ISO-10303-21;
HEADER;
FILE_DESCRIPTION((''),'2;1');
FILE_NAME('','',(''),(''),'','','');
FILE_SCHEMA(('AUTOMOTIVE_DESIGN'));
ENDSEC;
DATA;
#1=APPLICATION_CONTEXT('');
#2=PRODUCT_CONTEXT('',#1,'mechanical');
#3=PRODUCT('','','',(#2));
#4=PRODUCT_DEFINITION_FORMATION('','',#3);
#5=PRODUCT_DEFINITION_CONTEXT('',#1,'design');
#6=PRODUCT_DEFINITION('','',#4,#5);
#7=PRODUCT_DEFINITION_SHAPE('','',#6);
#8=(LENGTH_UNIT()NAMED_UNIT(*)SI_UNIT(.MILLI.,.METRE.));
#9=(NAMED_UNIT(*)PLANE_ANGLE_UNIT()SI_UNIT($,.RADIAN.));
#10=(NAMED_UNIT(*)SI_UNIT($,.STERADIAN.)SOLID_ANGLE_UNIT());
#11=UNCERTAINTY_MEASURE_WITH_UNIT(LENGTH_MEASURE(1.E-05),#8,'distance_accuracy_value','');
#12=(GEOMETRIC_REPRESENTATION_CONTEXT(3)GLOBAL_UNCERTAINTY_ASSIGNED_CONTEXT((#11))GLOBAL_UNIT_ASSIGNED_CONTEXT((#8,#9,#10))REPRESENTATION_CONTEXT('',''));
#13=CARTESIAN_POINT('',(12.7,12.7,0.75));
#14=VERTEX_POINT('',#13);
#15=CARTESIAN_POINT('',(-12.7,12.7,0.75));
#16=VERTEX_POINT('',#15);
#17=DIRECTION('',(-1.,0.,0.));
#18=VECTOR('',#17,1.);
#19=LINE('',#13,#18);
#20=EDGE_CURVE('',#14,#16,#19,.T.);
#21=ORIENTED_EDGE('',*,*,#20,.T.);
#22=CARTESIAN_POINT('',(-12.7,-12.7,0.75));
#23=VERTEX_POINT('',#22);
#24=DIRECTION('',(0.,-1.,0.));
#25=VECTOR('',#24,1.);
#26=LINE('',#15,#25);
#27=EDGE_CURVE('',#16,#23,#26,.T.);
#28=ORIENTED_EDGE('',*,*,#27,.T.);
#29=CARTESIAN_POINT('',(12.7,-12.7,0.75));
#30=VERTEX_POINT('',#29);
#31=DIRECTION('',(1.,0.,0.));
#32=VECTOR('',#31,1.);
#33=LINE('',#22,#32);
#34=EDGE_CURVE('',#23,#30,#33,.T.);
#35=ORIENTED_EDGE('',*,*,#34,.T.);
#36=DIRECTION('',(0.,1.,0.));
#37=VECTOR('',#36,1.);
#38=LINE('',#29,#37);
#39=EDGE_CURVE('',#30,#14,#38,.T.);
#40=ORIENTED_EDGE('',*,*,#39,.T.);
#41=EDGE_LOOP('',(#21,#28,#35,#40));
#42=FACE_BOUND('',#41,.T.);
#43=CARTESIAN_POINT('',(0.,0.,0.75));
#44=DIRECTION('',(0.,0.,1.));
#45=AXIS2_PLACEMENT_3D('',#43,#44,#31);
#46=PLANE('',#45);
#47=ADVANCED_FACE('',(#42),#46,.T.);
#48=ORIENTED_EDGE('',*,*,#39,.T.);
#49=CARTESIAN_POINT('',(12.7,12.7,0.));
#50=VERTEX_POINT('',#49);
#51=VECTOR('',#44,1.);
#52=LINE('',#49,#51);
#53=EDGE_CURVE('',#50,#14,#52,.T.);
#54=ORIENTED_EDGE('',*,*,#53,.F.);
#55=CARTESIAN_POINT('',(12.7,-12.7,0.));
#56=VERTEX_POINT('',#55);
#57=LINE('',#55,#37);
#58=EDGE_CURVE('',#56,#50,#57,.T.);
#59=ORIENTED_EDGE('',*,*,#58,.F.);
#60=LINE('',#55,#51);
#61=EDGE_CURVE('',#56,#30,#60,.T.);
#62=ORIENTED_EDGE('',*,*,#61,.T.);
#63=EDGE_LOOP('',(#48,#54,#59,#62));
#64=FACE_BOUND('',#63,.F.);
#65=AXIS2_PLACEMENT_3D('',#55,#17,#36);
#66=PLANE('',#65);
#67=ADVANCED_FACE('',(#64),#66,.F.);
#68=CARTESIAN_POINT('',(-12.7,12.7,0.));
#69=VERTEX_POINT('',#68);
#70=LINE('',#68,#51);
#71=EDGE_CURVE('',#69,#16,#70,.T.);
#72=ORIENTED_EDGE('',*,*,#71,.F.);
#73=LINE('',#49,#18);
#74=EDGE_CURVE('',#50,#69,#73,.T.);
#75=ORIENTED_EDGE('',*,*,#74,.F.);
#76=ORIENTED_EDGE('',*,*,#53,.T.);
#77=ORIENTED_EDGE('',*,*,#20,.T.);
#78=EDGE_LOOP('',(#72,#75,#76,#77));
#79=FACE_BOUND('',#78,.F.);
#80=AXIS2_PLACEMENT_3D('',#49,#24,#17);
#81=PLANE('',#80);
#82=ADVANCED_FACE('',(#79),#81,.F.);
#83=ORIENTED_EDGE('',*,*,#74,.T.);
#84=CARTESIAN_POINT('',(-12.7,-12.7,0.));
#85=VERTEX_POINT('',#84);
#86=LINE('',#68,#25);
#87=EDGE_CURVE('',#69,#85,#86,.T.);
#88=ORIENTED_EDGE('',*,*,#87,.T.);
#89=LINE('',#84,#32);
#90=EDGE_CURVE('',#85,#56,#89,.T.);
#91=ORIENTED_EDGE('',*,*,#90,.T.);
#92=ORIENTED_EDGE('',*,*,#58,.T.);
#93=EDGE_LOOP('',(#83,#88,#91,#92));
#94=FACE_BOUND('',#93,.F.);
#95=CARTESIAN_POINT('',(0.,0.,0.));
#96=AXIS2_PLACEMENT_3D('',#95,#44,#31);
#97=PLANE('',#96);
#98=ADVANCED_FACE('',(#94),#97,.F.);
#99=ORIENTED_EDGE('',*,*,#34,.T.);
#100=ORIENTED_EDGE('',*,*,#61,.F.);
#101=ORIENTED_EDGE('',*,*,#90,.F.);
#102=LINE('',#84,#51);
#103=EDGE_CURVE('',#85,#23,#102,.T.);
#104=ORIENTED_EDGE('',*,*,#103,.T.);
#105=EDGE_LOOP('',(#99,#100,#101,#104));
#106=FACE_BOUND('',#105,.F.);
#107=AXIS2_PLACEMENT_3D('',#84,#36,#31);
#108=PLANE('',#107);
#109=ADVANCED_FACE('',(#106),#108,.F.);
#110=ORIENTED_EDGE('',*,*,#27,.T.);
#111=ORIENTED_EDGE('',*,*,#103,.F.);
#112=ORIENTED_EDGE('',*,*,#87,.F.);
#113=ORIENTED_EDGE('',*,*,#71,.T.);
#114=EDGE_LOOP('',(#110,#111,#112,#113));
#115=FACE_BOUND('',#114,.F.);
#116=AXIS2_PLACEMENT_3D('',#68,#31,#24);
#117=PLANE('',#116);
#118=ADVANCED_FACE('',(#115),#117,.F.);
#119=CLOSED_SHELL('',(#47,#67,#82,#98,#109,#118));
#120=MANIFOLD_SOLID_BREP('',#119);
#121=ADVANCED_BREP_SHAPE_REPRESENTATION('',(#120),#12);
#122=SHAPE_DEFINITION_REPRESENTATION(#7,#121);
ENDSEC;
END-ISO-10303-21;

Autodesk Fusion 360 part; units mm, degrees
sketch "Sketch1" plane through (0, 0, 0) normal (0, 0, 1) x (1, 0, 0)
  line L0 (-12.7, -12.7) -> (12.7, -12.7)
  line L1 (12.7, -12.7) -> (12.7, 12.7)
  line L2 (12.7, 12.7) -> (-12.7, 12.7)
  line L3 (-12.7, 12.7) -> (-12.7, -12.7)
  line L4 (-12.7, 12.7) -> (12.7, -12.7) construction
  dimension "d1" = 25.4
  dimension "d2" = 25.4
extrude "Extrude2" add sketch "Sketch1" along normal blind 0.75
